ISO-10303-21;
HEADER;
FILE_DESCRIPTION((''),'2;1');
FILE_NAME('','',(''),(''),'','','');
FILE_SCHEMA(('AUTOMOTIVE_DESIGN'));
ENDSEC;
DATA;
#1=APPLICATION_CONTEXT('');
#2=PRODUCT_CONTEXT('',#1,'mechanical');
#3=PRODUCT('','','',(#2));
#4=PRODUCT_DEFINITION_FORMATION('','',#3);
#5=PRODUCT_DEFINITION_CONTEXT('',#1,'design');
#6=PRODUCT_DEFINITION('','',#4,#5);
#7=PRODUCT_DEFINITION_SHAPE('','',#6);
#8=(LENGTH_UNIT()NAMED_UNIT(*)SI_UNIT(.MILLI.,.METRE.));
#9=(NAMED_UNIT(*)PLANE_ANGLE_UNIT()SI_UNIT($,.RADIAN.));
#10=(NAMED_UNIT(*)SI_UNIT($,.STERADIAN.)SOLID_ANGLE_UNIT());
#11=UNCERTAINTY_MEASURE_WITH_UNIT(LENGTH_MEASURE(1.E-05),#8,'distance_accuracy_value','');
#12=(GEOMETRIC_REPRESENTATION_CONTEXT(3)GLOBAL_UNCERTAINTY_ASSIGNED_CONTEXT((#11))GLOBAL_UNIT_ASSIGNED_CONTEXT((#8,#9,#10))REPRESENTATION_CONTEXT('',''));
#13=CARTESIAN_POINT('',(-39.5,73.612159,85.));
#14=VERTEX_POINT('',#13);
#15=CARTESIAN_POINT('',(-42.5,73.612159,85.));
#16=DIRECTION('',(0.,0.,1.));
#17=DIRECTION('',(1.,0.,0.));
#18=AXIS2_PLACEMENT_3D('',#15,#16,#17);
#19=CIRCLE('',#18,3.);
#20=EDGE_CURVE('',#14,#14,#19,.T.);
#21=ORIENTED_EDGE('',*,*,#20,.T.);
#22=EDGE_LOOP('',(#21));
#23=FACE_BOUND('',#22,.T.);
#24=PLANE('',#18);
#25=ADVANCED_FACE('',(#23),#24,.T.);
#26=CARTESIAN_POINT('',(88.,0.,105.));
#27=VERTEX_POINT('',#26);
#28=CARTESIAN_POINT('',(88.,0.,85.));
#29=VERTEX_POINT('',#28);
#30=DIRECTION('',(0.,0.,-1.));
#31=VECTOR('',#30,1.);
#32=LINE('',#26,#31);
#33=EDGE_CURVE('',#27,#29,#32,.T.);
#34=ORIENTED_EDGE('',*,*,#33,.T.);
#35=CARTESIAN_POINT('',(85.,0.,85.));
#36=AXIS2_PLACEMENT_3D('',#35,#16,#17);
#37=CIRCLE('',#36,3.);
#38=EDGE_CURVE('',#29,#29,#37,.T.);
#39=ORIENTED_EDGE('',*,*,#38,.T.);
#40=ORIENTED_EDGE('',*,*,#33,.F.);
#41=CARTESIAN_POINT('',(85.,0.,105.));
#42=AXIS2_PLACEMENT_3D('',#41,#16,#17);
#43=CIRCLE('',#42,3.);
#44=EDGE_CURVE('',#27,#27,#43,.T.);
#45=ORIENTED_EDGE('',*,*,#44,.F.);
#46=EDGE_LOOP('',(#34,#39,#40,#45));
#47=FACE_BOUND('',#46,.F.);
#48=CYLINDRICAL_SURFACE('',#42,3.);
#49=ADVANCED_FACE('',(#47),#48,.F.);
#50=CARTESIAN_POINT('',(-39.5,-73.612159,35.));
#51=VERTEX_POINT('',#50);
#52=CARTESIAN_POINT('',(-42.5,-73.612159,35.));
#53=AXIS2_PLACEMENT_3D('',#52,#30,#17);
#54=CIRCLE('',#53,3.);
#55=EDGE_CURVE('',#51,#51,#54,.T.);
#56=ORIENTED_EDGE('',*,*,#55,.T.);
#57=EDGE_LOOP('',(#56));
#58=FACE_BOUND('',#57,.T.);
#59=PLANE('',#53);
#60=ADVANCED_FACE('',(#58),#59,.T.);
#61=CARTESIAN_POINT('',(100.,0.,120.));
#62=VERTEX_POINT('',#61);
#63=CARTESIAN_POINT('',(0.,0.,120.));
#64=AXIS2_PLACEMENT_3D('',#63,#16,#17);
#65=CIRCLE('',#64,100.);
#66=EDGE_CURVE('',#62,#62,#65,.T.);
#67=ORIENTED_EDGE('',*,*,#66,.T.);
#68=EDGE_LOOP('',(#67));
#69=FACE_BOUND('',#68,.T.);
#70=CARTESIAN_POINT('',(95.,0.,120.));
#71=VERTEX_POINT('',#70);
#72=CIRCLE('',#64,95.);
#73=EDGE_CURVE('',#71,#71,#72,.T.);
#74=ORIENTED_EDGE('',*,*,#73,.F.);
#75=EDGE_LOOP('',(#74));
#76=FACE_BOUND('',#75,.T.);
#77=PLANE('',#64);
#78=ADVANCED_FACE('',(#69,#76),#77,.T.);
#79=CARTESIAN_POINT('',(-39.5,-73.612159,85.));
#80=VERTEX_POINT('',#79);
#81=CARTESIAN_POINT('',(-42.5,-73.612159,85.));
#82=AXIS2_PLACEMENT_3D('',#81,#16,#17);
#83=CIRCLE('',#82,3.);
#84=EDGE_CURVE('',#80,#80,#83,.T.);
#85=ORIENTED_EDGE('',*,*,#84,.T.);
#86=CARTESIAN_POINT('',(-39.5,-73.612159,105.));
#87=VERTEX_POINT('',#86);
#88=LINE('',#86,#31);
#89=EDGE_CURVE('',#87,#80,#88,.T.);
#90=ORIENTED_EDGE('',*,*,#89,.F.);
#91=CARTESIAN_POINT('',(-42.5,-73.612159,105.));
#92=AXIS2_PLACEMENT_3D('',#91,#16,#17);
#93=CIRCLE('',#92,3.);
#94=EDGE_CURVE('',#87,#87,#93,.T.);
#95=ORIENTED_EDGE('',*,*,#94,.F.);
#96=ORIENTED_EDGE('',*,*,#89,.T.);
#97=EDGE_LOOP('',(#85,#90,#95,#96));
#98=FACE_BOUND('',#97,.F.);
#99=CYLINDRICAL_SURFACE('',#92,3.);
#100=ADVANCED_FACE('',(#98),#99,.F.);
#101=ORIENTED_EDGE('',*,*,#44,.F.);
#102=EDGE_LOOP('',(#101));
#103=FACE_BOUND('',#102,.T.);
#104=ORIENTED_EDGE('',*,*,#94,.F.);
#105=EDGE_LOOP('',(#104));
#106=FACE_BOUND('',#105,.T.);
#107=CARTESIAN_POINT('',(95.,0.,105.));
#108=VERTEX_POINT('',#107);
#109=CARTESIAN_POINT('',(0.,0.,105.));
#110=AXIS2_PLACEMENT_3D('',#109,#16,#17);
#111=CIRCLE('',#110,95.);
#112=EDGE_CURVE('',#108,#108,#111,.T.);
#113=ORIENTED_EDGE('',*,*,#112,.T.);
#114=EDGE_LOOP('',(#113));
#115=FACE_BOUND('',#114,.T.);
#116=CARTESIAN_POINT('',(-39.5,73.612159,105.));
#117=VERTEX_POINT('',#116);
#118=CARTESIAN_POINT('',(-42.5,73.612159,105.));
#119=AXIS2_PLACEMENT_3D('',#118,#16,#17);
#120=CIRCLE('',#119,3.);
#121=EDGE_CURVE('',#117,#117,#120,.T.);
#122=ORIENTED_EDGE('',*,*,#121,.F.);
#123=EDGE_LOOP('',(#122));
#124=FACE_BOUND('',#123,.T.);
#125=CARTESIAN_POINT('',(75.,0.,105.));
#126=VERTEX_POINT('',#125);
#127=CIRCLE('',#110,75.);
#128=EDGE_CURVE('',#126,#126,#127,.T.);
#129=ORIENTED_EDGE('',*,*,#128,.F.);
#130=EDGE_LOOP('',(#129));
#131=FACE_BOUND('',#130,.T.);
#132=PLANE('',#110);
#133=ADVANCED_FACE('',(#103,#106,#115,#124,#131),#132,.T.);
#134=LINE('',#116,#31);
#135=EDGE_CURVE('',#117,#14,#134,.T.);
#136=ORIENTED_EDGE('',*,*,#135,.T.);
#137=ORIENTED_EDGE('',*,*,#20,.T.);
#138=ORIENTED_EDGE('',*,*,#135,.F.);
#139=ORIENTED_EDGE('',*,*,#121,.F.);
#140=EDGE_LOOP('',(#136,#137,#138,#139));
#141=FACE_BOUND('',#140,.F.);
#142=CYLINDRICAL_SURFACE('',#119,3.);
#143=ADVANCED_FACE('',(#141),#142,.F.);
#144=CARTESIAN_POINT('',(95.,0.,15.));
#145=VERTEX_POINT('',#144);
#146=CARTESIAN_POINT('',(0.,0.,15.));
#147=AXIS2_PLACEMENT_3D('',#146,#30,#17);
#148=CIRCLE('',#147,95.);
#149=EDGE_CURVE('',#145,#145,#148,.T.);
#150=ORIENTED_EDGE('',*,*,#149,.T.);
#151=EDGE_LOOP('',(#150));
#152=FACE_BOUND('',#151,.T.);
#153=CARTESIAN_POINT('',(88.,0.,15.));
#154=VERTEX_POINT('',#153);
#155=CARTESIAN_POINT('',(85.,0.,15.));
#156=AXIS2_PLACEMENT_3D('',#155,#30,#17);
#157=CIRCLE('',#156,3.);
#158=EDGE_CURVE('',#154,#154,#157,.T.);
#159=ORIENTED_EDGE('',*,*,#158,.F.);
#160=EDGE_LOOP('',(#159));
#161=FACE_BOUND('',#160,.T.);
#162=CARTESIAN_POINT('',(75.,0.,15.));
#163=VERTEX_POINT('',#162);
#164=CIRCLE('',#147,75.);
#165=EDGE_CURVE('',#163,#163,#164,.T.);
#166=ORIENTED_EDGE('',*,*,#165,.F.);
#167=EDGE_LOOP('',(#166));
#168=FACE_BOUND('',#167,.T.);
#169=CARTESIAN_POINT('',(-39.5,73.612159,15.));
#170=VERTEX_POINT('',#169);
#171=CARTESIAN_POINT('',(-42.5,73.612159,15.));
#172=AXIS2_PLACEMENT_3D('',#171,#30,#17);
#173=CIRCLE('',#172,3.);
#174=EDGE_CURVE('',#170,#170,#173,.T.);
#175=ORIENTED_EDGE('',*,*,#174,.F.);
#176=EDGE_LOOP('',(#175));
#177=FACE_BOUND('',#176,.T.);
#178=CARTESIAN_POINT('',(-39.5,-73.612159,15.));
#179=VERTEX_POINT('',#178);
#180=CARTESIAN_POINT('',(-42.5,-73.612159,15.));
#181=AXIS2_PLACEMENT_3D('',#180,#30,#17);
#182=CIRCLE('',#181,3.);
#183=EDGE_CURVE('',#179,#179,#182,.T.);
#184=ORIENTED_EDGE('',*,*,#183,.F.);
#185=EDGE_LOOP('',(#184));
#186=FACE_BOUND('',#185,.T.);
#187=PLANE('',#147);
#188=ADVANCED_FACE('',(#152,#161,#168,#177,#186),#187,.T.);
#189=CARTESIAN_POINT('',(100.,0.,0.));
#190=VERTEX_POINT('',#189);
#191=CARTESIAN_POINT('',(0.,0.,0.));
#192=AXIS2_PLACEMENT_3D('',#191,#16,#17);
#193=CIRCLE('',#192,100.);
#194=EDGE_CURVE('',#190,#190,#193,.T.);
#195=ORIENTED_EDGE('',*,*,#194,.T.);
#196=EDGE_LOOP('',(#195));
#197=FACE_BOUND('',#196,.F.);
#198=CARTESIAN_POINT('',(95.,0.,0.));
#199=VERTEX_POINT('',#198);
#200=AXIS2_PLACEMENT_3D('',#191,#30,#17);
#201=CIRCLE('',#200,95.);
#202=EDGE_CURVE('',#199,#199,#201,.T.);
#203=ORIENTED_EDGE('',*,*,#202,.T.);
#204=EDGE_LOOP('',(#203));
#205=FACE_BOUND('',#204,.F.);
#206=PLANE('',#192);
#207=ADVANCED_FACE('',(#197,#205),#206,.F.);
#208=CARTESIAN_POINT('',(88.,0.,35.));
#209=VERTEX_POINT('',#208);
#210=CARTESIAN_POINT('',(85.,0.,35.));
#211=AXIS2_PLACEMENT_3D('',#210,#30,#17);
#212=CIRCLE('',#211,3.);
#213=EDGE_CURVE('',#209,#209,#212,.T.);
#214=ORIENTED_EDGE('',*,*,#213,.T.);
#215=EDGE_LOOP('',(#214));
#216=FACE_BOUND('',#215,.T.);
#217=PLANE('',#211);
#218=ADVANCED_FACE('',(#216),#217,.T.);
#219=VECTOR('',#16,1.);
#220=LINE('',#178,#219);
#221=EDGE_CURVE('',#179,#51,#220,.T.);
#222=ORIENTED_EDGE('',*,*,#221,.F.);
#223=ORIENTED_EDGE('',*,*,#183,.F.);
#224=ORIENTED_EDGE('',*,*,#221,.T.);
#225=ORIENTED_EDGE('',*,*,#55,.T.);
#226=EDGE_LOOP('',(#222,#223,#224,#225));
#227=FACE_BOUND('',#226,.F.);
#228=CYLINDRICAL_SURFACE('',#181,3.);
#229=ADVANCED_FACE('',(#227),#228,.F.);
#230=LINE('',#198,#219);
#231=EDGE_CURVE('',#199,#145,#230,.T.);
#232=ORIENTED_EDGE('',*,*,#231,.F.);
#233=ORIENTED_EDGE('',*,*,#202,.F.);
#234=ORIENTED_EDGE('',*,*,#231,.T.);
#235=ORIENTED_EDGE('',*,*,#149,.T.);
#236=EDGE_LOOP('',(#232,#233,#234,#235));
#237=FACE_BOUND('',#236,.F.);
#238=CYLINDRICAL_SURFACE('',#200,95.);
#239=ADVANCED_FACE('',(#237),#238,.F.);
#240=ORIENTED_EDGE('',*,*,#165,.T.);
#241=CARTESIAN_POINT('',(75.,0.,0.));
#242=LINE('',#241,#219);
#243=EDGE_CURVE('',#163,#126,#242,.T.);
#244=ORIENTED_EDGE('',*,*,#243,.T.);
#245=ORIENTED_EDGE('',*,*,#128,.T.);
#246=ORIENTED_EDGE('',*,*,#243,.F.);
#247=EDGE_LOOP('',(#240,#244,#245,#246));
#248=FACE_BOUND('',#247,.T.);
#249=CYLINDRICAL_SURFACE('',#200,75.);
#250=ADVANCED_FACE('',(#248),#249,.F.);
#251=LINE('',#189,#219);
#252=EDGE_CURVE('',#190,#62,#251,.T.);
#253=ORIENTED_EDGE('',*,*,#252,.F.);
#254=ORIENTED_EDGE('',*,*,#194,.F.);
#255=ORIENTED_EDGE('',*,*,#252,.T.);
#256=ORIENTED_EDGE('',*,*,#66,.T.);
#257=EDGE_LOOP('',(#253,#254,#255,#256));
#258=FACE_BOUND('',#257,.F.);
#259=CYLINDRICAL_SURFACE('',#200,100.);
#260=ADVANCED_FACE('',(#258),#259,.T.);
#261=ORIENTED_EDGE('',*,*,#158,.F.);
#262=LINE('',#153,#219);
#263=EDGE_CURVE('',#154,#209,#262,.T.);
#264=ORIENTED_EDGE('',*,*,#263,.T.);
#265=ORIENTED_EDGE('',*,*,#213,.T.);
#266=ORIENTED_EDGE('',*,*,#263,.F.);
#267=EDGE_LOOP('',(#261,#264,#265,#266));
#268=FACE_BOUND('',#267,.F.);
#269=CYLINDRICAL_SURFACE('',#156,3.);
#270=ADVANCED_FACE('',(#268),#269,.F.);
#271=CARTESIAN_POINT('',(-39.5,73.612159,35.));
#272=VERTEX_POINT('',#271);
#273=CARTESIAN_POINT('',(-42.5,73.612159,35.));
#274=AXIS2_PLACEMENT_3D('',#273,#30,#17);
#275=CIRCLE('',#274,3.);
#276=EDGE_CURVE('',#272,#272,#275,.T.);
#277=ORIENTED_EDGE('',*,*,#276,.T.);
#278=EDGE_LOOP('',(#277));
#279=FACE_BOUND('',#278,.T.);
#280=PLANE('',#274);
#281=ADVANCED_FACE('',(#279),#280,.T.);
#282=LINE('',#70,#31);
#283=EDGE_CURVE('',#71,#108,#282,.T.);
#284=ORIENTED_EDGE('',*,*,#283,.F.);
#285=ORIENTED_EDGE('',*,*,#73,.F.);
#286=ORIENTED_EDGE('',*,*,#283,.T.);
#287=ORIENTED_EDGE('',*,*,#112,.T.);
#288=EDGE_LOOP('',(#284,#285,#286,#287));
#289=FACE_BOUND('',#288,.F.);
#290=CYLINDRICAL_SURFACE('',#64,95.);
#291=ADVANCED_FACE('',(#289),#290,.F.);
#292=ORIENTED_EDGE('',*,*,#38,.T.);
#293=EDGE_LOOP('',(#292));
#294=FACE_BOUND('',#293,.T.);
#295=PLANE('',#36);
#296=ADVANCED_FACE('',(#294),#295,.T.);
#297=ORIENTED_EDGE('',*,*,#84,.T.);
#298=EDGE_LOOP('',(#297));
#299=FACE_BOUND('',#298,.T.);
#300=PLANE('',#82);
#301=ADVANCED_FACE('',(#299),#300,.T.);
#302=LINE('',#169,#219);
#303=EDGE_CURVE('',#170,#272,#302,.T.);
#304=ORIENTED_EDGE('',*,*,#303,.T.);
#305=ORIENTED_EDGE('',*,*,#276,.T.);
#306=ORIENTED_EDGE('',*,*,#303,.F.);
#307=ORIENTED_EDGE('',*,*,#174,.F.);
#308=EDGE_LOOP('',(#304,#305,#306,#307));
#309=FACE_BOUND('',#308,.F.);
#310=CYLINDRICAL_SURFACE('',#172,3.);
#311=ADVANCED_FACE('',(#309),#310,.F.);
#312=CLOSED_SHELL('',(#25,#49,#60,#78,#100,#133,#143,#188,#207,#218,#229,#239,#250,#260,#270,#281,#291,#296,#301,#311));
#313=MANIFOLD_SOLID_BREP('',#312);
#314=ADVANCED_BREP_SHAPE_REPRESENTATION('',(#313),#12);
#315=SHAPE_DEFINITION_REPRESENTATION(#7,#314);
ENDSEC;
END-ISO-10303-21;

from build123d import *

# Parameters (mm, degrees)
F0_R     = 100
F0_R_2   = 75
F1_DEPTH = 120
F2_R     = 95
F2_R_2   = 75
F3_DEPTH = 15
F4_R     = 95
F4_R_2   = 75
F5_DEPTH = 15
F6_R     = 3
F7_DEPTH = 20
F8_R     = 3
F9_DEPTH = 20


with BuildPart() as f1:
    # F0 (on Top) → F1 (new body)
    with BuildSketch(Plane.XY):
        Circle(F0_R)
        Circle(F0_R_2, mode=Mode.SUBTRACT)
    extrude(amount=F1_DEPTH)

    # F2 (on face) → F3 (cut)
    with BuildSketch(Plane.XY.offset(120)):
        Circle(F2_R)
        Circle(F2_R_2, mode=Mode.SUBTRACT)
    extrude(amount=-F3_DEPTH, mode=Mode.SUBTRACT)

    # F4 (on face) → F5 (cut)
    with BuildSketch(Plane(origin=(0, 0, 0), x_dir=(1, 0, 0), z_dir=(0, 0, -1))):
        Circle(F4_R)
        Circle(F4_R_2, mode=Mode.SUBTRACT)
    extrude(amount=-F5_DEPTH, mode=Mode.SUBTRACT)

    # F6 (on face) → F7 (cut)
    with BuildSketch(Plane(origin=(0, 0, 15), x_dir=(1, 0, 0), z_dir=(0, 0, -1))):
        with Locations((85, 0)):
            Circle(F6_R)
        with Locations((-42.5, -73.6121593217)):
            Circle(F6_R)
        with Locations((-42.5, 73.6121593217)):
            Circle(F6_R)
    extrude(amount=-F7_DEPTH, mode=Mode.SUBTRACT)

    # F8 (on face) → F9 (cut)
    with BuildSketch(Plane.XY.offset(105)):
        with Locations((85, 0)):
            Circle(F8_R)
        with Locations((-42.5, -73.6121593217)):
            Circle(F8_R)
        with Locations((-42.5, 73.6121593217)):
            Circle(F8_R)
    extrude(amount=-F9_DEPTH, mode=Mode.SUBTRACT)


solid = f1.part
